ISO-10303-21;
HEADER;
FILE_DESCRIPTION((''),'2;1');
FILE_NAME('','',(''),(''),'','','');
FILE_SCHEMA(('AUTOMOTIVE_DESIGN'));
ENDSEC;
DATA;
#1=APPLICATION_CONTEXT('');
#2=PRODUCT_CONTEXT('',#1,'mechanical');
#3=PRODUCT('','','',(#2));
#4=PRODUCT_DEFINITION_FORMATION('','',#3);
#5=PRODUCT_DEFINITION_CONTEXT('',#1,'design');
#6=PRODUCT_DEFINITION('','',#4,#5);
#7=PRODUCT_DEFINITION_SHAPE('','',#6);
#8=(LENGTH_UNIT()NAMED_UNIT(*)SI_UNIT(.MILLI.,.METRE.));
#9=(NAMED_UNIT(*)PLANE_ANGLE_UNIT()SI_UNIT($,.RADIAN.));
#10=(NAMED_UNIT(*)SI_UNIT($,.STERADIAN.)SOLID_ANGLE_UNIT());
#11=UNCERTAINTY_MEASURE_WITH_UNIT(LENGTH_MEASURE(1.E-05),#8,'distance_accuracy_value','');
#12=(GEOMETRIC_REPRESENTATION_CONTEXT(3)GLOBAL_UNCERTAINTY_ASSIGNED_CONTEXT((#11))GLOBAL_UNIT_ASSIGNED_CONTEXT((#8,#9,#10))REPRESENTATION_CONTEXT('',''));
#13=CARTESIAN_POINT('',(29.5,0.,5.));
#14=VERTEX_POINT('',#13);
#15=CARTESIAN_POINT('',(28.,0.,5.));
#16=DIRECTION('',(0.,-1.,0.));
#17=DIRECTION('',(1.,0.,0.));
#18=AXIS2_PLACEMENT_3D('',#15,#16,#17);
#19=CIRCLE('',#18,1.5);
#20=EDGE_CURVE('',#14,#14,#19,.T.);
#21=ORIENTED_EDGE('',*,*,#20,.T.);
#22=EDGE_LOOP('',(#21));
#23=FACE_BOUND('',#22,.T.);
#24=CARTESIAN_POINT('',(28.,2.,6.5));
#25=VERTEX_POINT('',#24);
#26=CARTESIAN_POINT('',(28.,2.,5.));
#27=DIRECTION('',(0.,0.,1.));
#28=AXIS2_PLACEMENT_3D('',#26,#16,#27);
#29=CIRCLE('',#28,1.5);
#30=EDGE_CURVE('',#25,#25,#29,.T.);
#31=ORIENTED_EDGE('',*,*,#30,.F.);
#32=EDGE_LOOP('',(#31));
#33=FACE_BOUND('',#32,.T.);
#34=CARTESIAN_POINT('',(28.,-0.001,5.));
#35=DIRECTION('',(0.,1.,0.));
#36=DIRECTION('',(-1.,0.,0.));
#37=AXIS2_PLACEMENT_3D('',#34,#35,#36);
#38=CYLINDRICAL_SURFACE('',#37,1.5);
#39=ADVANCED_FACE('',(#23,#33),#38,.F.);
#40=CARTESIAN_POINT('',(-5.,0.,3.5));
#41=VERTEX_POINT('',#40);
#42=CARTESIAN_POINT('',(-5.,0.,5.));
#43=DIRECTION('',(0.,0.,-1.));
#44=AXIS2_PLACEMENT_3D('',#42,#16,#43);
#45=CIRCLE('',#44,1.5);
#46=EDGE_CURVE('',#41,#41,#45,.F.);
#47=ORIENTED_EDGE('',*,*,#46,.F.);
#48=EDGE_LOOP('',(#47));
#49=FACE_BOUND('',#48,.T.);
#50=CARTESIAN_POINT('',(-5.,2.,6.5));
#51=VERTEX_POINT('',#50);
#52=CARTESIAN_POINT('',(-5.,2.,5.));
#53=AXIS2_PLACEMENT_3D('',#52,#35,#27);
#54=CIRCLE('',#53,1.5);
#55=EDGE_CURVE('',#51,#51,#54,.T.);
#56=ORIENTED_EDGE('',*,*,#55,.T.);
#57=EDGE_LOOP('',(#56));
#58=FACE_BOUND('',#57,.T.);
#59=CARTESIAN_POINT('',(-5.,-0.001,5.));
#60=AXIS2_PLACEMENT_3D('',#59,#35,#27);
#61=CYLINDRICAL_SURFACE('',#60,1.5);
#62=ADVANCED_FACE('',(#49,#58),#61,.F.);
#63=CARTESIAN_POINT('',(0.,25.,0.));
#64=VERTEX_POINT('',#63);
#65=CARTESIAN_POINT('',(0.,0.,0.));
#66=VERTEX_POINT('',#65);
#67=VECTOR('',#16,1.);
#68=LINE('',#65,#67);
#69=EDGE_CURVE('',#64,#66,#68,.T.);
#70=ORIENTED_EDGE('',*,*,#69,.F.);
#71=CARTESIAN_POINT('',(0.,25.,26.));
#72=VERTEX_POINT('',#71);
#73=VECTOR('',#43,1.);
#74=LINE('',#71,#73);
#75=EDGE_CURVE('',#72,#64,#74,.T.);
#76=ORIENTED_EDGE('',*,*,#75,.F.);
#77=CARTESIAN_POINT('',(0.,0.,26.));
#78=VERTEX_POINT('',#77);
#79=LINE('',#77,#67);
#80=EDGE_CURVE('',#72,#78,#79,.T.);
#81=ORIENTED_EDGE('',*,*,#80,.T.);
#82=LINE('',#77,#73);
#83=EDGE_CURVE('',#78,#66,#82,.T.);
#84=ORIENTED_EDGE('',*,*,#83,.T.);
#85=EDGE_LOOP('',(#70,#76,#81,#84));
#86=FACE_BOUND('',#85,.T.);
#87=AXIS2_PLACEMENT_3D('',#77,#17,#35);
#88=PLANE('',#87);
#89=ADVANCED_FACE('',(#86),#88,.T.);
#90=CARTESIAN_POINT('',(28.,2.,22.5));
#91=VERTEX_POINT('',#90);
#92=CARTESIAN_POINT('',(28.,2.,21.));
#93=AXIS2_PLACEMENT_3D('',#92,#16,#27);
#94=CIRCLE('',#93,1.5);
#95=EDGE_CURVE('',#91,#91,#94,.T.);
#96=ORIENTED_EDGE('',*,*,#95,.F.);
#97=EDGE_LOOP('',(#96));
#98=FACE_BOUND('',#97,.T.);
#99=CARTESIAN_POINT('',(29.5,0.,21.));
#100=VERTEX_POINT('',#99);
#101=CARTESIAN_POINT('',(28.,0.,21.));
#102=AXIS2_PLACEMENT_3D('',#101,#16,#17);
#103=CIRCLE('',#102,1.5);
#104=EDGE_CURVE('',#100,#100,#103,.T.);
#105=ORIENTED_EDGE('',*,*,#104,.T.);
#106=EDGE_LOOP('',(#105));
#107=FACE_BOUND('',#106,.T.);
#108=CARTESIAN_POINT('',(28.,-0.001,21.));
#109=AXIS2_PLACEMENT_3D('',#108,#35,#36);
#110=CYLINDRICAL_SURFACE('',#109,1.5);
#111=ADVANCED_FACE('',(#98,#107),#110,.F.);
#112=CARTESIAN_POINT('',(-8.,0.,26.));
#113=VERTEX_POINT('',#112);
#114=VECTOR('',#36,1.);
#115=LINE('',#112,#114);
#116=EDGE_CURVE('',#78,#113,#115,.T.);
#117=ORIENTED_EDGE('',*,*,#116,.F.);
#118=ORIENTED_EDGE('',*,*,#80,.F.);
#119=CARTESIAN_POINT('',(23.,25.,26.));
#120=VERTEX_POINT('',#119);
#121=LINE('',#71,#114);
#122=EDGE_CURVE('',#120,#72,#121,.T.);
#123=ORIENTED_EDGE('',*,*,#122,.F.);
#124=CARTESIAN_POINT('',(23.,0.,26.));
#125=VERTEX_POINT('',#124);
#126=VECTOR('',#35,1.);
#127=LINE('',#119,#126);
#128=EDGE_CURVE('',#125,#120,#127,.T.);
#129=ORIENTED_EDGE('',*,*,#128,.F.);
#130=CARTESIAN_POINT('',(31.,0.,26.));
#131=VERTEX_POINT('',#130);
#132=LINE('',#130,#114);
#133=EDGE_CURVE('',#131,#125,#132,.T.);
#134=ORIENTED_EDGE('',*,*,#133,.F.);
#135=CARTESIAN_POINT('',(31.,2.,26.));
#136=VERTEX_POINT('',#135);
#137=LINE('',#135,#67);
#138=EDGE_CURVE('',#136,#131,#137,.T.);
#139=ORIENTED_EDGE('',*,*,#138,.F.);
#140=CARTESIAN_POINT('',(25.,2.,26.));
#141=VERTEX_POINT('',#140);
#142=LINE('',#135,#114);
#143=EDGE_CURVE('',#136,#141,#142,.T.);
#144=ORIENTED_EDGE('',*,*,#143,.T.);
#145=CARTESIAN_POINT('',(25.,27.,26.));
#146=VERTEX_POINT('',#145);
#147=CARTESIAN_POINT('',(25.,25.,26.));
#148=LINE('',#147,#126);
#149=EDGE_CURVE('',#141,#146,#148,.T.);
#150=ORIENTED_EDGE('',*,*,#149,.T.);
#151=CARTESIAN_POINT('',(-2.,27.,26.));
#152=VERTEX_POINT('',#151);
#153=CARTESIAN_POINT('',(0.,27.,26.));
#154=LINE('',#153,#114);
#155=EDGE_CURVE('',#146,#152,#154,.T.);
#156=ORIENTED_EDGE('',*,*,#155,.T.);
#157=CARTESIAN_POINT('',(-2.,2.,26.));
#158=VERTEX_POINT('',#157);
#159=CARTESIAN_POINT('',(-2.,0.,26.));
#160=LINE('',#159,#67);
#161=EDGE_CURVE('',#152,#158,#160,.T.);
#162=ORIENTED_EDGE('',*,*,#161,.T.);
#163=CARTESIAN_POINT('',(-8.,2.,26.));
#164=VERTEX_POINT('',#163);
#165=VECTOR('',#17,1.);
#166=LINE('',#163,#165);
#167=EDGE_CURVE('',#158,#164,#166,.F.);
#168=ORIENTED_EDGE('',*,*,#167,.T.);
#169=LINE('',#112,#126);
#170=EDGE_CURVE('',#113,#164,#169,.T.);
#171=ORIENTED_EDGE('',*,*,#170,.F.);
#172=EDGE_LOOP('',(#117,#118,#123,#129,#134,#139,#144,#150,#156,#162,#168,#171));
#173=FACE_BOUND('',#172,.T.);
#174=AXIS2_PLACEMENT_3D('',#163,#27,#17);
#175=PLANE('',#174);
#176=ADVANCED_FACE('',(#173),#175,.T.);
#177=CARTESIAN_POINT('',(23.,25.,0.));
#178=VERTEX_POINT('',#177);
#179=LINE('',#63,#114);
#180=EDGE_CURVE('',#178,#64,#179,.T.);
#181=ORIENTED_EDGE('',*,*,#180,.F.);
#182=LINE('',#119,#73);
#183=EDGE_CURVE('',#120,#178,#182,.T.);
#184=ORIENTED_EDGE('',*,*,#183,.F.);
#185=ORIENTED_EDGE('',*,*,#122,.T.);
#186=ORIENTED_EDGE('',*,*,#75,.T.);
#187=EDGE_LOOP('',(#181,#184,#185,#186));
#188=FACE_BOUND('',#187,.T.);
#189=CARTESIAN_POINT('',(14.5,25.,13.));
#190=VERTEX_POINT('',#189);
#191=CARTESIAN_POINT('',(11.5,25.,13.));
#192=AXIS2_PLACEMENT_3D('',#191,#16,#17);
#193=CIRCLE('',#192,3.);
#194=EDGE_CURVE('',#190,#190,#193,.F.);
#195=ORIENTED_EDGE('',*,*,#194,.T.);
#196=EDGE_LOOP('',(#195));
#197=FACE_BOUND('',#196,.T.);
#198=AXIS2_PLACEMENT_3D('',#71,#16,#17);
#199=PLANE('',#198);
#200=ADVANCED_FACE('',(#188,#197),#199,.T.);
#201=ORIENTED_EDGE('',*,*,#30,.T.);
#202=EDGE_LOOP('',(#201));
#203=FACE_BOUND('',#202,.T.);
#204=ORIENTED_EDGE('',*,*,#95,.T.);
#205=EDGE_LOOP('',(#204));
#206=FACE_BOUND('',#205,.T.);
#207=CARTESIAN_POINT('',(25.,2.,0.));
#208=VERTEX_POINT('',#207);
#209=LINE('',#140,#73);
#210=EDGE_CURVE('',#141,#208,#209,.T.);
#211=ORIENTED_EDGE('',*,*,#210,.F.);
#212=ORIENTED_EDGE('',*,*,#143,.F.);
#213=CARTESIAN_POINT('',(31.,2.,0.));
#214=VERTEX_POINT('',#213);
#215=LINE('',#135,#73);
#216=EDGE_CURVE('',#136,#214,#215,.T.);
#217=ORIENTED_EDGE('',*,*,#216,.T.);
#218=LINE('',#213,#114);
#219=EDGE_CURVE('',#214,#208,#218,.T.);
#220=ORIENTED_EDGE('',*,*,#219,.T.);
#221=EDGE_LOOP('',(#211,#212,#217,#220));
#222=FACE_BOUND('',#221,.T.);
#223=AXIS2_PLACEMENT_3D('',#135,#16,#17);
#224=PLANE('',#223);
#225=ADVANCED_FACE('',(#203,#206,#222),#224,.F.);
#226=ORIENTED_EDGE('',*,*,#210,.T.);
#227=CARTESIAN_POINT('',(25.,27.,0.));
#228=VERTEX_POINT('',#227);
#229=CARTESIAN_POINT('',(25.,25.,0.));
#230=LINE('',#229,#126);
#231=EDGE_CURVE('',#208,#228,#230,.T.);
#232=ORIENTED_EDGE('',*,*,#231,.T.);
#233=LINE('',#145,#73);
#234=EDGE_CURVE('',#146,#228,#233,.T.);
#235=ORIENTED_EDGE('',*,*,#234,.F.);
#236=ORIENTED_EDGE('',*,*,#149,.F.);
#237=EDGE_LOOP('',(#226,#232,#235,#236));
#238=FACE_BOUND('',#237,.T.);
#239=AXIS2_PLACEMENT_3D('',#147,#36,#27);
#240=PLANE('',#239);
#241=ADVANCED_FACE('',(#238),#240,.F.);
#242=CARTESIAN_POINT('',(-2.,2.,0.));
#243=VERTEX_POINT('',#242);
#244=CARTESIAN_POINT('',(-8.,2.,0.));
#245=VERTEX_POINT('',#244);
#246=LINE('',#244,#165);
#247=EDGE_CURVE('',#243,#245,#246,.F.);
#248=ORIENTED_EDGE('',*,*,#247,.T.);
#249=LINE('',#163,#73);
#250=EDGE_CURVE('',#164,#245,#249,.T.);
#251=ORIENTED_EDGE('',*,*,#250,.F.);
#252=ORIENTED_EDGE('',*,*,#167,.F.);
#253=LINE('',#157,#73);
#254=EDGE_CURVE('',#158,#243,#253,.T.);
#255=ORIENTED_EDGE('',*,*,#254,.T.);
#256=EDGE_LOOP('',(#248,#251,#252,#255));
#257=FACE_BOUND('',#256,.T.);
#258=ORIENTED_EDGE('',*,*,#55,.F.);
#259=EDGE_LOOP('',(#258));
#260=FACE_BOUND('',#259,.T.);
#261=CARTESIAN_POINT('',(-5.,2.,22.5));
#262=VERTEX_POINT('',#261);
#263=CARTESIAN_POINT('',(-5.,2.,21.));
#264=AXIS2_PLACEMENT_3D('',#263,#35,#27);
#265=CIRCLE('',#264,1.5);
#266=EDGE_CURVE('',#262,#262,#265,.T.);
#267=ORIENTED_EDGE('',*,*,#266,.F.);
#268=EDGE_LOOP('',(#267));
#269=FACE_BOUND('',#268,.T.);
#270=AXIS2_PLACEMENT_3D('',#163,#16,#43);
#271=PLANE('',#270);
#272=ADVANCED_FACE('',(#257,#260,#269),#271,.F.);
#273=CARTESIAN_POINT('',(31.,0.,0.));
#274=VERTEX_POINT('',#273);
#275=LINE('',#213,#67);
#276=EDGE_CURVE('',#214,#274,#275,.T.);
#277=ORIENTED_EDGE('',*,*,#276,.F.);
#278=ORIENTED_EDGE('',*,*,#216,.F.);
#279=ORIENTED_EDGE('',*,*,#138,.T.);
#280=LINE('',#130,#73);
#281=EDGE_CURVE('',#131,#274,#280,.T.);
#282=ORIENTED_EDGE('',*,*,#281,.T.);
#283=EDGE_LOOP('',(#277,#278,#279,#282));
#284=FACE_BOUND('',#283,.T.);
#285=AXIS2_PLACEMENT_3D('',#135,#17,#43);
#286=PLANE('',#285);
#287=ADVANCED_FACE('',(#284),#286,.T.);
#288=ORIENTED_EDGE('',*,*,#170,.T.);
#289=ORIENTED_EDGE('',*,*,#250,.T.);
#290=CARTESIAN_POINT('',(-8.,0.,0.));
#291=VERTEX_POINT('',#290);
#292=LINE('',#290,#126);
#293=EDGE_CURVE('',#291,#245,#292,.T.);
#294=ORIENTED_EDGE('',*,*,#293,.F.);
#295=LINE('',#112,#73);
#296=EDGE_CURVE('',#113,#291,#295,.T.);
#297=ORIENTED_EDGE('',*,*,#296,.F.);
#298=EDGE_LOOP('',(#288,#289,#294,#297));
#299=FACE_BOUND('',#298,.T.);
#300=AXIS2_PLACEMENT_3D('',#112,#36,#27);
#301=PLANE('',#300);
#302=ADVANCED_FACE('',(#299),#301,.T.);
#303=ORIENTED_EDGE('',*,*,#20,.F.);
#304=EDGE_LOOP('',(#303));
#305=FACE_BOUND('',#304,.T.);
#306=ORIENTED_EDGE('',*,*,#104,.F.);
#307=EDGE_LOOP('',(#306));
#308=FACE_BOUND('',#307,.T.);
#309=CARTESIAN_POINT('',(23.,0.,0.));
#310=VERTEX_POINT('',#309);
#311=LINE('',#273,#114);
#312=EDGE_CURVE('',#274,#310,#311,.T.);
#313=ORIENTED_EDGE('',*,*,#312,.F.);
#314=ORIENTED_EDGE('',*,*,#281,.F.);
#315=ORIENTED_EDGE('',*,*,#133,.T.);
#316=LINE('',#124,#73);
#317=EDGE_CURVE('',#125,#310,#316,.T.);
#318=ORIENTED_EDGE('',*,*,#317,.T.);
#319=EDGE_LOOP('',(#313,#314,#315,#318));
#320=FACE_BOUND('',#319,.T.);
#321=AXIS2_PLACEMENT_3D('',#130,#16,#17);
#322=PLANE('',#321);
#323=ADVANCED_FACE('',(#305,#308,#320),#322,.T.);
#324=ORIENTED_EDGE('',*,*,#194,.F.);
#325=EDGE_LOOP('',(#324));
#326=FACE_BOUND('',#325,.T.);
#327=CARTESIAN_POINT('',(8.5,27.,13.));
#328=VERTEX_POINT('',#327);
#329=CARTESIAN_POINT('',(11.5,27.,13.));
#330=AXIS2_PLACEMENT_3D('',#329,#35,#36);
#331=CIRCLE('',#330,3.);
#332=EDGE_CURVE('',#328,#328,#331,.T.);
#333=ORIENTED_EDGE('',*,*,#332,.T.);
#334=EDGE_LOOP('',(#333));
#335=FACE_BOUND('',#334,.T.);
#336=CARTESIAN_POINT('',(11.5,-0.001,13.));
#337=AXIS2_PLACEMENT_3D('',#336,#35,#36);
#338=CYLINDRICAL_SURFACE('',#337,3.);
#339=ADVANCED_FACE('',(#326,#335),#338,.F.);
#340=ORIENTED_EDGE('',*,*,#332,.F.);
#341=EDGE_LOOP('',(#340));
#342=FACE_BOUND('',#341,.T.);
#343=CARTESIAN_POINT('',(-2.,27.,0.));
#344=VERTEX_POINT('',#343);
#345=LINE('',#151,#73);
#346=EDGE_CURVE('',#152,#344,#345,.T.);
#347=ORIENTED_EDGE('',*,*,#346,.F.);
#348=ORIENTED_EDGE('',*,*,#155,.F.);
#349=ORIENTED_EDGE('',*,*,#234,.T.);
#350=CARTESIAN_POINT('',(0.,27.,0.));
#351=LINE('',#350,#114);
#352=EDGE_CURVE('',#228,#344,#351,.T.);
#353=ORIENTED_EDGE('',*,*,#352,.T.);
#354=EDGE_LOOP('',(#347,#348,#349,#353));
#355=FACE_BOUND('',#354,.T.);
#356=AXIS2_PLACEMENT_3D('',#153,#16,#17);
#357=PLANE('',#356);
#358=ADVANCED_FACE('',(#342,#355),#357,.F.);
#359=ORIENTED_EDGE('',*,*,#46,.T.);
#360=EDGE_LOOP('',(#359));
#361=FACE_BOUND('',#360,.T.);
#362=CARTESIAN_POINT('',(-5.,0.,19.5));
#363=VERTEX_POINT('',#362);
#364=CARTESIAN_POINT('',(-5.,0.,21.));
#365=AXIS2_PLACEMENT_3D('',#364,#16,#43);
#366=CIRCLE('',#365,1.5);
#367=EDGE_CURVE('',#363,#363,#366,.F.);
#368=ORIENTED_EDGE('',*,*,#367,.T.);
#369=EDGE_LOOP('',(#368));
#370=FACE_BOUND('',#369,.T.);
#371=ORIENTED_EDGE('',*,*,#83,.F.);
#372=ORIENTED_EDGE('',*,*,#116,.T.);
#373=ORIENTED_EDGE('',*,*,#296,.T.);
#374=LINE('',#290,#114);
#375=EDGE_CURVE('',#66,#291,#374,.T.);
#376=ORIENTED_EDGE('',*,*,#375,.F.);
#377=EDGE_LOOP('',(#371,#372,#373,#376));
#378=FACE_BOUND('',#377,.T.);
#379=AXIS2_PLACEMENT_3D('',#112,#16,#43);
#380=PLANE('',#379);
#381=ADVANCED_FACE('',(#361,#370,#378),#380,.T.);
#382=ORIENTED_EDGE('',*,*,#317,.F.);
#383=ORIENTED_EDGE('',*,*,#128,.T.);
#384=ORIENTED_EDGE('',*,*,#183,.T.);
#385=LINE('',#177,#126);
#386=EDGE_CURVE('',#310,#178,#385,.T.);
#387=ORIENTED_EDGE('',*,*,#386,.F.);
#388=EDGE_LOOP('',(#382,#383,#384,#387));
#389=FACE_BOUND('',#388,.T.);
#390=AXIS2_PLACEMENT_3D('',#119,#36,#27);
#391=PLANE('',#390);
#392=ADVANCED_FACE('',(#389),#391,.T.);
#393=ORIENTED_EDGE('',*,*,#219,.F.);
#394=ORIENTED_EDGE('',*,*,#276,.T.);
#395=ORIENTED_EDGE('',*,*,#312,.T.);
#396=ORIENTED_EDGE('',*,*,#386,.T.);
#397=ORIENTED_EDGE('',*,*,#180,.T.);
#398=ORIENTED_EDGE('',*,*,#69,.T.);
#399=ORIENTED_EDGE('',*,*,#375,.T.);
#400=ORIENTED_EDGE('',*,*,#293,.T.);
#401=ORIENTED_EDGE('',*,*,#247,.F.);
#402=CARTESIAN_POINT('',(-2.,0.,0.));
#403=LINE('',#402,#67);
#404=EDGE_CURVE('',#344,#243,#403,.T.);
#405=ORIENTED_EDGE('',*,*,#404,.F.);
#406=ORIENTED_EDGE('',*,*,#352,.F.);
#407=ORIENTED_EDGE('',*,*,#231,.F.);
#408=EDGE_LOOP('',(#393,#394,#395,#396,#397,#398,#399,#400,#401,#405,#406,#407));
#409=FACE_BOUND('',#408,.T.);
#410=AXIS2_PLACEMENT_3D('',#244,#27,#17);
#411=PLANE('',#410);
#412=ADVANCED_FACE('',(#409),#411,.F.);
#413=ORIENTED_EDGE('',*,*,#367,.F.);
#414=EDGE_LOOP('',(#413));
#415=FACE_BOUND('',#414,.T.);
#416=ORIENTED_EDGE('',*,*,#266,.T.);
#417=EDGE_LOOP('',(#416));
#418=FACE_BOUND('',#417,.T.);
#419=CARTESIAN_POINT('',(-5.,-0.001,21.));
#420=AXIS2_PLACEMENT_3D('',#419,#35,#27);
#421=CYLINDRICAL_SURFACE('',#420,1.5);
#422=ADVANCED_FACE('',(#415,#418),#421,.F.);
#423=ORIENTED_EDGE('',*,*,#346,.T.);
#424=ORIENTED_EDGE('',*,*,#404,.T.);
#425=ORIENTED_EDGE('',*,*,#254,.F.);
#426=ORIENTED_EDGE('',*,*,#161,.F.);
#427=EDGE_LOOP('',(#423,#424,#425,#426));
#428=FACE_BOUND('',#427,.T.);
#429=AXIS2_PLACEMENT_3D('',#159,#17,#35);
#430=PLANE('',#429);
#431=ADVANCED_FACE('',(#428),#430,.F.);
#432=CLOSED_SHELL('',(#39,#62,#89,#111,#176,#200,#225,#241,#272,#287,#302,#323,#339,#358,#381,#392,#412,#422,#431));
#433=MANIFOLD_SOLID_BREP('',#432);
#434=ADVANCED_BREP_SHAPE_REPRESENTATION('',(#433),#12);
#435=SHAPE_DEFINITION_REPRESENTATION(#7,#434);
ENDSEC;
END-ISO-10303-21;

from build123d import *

# Parameters (mm, degrees)
EXTRU_MINCE1_DEPTH = 26
EXTRUSION1_REACH   = 50.642
ESQUISSE4_R        = 3
EXTRUSION2_REACH   = 49.56
ESQUISSE5_R        = 1.5


with BuildPart() as part:
    # Esquisse1 → Extru.-Mince1 (new body)
    with BuildSketch(Plane.XY):
        Polygon((-8, 0), (0, 0), (0, 25), (23, 25), (23, 0), (31, 0), (31, 2), (25, 2), (25, 27), (-2, 27), (-2, 2), (-8, 2), align=None)
    extrude(amount=EXTRU_MINCE1_DEPTH)

    # Esquisse4 → Extrusion1 (cut, up to next)
    with BuildSketch(Plane(origin=(0, 27, 0), x_dir=(1, 0, 0), z_dir=(0, 1, 0)), mode=Mode.PRIVATE) as extrusion1_sk1:
        with Locations((11.5, -13)):
            Circle(ESQUISSE4_R)
    extrusion1_tool1 = extrude(extrusion1_sk1.sketch, amount=-EXTRUSION1_REACH, mode=Mode.PRIVATE) & part.part
    add(extrusion1_tool1.solids().sort_by_distance((11.5, 27, 13))[0], mode=Mode.SUBTRACT)

    # Esquisse5 → Extrusion2 (cut, up to next)
    with BuildSketch(Plane(origin=(0, 2, 0), x_dir=(1, 0, 0), z_dir=(0, 1, 0)), mode=Mode.PRIVATE) as extrusion2_sk1:
        with Locations((-5, -21)):
            Circle(ESQUISSE5_R)
    extrusion2_tool1 = extrude(extrusion2_sk1.sketch, amount=-EXTRUSION2_REACH, mode=Mode.PRIVATE) & part.part
    # Esquisse5 → Extrusion2 (cut, up to next)
    with BuildSketch(Plane(origin=(0, 2, 0), x_dir=(1, 0, 0), z_dir=(0, 1, 0)), mode=Mode.PRIVATE) as extrusion2_sk2:
        with Locations((-5, -5)):
            Circle(ESQUISSE5_R)
    extrusion2_tool2 = extrude(extrusion2_sk2.sketch, amount=-EXTRUSION2_REACH, mode=Mode.PRIVATE) & part.part
    extrusion2_1 = extrusion2_tool1.solids().sort_by_distance((-5, 2, 21))[0]
    add(extrusion2_1, mode=Mode.SUBTRACT)
    extrusion2_2 = extrusion2_tool2.solids().sort_by_distance((-5, 2, 5))[0]
    add(extrusion2_2, mode=Mode.SUBTRACT)
    extrusion2 = extrusion2_1 + extrusion2_2  # Extrusion2 as one shape, for the pattern or mirror that repeats it

    # Symétrie1: Extrusion2 across plane
    add(extrusion2.mirror(Plane(origin=(11.5, 27, 26), x_dir=(0, 0, 1), z_dir=(-1, 0, 0))), mode=Mode.SUBTRACT)


solid = part.part
